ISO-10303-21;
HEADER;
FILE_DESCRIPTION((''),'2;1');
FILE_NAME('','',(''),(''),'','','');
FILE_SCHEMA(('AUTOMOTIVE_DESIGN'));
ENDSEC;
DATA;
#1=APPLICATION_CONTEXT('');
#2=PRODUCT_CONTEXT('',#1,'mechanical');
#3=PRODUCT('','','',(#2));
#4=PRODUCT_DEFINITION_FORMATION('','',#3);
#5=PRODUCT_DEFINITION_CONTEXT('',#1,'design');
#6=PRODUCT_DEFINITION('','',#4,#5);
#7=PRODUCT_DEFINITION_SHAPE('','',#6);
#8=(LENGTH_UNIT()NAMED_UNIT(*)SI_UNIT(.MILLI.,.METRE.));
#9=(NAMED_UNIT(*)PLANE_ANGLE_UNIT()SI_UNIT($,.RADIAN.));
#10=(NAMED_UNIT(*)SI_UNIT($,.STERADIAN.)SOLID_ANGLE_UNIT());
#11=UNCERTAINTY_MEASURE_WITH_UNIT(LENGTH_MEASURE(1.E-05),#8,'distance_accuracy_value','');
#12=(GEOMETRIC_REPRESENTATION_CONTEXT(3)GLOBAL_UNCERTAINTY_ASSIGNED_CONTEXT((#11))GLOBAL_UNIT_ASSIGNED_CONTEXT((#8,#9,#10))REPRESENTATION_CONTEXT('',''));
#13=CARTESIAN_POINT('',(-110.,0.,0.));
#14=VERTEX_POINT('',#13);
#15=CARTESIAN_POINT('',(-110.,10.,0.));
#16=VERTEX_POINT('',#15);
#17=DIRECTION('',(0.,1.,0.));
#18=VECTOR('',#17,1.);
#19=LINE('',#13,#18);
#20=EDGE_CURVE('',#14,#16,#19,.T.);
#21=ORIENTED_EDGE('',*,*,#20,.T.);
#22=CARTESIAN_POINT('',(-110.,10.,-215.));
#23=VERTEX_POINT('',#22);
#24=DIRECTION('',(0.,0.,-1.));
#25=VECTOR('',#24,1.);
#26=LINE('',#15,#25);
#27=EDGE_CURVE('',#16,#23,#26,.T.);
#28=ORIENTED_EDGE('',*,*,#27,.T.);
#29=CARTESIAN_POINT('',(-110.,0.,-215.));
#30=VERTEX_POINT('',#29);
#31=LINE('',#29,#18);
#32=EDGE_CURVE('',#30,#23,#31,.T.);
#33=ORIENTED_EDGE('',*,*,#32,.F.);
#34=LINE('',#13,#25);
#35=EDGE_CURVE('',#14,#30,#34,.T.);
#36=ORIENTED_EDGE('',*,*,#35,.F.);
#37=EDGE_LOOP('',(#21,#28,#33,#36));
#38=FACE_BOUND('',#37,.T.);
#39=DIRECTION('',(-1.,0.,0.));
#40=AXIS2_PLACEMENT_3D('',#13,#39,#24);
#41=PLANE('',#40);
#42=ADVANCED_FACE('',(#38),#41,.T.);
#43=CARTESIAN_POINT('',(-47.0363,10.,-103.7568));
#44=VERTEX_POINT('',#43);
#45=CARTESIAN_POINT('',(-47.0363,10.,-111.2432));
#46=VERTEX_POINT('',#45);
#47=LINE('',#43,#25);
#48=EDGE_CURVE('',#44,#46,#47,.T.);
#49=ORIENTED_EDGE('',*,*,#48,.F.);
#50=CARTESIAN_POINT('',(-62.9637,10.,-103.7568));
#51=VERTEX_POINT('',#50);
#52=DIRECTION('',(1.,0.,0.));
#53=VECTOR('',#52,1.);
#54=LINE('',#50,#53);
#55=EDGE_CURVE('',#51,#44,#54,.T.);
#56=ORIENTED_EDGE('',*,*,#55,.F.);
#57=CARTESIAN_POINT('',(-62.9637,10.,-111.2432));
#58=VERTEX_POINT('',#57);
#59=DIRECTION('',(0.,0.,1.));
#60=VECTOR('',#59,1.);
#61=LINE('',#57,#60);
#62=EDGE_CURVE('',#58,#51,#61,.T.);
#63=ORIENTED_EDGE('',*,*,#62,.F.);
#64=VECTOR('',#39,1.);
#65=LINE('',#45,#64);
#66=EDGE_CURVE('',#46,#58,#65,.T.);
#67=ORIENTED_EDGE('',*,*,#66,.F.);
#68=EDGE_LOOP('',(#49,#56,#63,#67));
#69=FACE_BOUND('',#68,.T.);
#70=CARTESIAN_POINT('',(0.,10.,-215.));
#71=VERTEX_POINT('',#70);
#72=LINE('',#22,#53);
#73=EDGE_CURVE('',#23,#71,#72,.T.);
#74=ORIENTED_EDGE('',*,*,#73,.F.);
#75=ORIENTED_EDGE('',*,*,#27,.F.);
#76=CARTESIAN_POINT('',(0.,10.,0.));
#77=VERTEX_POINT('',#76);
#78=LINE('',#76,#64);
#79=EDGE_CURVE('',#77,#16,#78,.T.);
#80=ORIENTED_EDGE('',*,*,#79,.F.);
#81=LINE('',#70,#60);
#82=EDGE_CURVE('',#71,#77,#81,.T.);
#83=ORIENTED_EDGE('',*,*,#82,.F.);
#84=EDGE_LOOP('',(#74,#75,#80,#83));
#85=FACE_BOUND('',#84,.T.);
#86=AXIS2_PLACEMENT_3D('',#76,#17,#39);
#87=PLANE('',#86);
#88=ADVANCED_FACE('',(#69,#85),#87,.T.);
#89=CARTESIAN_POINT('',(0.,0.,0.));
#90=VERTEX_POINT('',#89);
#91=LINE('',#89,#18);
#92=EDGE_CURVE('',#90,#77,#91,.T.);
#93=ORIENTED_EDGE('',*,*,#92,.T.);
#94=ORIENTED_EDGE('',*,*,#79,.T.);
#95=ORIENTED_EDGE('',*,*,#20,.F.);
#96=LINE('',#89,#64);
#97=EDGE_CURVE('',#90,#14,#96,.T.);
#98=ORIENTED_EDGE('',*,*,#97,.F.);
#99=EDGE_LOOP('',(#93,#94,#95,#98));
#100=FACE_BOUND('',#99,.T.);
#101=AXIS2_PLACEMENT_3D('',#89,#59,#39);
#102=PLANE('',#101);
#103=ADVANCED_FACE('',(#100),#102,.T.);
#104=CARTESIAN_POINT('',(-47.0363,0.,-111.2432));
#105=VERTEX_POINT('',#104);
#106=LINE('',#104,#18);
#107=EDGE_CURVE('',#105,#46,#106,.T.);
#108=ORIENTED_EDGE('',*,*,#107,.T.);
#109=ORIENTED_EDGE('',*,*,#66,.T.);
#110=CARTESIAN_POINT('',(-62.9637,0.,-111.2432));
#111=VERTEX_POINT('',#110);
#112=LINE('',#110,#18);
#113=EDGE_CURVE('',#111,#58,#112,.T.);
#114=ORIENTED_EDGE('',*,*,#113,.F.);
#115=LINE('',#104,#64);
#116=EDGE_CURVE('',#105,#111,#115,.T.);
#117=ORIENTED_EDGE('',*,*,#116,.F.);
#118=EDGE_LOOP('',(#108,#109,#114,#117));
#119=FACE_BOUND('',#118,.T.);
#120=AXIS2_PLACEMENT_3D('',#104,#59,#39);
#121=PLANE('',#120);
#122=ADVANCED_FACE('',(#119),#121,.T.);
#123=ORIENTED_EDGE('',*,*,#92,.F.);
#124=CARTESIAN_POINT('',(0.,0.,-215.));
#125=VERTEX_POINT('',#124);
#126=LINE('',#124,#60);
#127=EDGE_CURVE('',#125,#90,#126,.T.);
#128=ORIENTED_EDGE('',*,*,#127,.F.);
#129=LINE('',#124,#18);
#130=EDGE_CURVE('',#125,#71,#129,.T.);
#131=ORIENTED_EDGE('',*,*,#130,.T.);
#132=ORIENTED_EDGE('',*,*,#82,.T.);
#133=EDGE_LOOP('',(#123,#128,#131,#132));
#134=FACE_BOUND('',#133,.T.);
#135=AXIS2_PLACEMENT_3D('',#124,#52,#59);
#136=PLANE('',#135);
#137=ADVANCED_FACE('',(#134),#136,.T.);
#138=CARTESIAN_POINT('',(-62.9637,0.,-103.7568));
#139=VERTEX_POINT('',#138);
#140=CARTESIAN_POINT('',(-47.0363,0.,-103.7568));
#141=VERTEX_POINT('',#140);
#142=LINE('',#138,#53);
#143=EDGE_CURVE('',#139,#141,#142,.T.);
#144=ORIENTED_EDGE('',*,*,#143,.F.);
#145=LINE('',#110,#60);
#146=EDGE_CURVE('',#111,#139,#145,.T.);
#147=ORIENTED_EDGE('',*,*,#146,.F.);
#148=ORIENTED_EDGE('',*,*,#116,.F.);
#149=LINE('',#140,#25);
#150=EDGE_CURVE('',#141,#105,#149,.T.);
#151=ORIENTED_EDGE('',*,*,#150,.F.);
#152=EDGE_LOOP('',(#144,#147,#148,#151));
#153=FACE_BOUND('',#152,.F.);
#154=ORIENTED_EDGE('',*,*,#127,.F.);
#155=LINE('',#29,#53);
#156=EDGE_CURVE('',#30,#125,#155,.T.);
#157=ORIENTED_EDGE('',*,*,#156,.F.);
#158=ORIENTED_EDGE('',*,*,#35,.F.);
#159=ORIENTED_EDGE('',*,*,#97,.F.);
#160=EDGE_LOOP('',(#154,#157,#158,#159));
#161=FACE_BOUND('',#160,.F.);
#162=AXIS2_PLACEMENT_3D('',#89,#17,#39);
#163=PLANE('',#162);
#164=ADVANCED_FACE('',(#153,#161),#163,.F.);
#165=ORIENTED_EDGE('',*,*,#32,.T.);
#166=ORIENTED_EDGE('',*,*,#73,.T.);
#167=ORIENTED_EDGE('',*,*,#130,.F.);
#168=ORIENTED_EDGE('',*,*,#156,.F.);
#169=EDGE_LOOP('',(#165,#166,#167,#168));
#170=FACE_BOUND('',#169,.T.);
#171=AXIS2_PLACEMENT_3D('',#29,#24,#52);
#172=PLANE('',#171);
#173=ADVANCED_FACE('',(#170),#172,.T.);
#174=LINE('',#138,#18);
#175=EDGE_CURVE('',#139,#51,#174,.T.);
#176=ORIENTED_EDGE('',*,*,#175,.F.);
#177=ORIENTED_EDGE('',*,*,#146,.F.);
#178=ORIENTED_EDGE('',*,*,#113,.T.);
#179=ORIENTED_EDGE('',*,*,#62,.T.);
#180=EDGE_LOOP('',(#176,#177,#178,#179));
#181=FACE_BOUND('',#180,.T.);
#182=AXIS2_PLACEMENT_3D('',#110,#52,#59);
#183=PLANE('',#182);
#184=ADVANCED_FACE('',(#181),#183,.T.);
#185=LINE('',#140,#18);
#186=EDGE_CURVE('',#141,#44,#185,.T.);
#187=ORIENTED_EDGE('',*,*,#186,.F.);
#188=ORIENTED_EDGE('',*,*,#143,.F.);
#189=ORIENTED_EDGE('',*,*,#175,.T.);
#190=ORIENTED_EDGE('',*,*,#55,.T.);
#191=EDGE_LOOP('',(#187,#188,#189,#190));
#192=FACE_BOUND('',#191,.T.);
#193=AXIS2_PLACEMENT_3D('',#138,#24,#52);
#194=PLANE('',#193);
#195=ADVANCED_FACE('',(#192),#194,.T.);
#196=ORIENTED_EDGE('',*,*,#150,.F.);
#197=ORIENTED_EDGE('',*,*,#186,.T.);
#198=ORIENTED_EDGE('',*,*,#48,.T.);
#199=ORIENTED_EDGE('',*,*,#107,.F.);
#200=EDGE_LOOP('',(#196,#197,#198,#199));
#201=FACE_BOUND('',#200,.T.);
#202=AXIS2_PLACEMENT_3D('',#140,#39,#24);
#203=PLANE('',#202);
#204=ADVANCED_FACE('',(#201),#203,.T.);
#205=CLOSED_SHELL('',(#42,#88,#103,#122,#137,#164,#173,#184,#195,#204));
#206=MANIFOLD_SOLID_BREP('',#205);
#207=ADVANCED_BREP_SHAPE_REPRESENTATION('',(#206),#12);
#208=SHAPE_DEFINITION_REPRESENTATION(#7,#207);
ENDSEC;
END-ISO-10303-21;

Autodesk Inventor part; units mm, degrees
ref_plane "YZ Plane" through (0, 0, 0) normal (1, 0, 0) x (0, 1, 0)
ref_plane "XZ Plane" through (0, 0, 0) normal (0, 1, 0) x (-1, 0, 0)
ref_plane "XY Plane" through (0, 0, 0) normal (0, 0, 1) x (1, 0, 0)
sketch "Sketch1" plane through (0, 0, 0) normal (0, 1, 0) x (-1, 0, 0)
  line L0 (0, 0) -> (110, 0)
  line L1 (110, 0) -> (110, -215)
  line L2 (110, -215) -> (0, -215)
  line L3 (0, -215) -> (0, 0)
  line L4 (62.9637, -103.7568) -> (47.0363, -103.7568)
  line L5 (47.0363, -103.7568) -> (47.0363, -111.2432)
  line L6 (47.0363, -111.2432) -> (62.9637, -111.2432)
  line L7 (62.9637, -111.2432) -> (62.9637, -103.7568)
  line L8 (62.9637, -103.7568) -> (47.0363, -111.2432) construction
  line L9 (47.0363, -103.7568) -> (62.9637, -111.2432) construction
  point P0 (55, -107.5)
  point P1 (55, -215)
  point P2 (55, -107.5)
  dimension "d0" = 110
  dimension "d1" = 215
  dimension "d4" = 103.7568
  dimension "d6" = 15.9273
  dimension "d7" = 47.0363
  dimension "d8" = 7.4865
extrude "Extrusion1" add sketch "Sketch1" along normal blind 10
properties part number "body_3DPrint"
